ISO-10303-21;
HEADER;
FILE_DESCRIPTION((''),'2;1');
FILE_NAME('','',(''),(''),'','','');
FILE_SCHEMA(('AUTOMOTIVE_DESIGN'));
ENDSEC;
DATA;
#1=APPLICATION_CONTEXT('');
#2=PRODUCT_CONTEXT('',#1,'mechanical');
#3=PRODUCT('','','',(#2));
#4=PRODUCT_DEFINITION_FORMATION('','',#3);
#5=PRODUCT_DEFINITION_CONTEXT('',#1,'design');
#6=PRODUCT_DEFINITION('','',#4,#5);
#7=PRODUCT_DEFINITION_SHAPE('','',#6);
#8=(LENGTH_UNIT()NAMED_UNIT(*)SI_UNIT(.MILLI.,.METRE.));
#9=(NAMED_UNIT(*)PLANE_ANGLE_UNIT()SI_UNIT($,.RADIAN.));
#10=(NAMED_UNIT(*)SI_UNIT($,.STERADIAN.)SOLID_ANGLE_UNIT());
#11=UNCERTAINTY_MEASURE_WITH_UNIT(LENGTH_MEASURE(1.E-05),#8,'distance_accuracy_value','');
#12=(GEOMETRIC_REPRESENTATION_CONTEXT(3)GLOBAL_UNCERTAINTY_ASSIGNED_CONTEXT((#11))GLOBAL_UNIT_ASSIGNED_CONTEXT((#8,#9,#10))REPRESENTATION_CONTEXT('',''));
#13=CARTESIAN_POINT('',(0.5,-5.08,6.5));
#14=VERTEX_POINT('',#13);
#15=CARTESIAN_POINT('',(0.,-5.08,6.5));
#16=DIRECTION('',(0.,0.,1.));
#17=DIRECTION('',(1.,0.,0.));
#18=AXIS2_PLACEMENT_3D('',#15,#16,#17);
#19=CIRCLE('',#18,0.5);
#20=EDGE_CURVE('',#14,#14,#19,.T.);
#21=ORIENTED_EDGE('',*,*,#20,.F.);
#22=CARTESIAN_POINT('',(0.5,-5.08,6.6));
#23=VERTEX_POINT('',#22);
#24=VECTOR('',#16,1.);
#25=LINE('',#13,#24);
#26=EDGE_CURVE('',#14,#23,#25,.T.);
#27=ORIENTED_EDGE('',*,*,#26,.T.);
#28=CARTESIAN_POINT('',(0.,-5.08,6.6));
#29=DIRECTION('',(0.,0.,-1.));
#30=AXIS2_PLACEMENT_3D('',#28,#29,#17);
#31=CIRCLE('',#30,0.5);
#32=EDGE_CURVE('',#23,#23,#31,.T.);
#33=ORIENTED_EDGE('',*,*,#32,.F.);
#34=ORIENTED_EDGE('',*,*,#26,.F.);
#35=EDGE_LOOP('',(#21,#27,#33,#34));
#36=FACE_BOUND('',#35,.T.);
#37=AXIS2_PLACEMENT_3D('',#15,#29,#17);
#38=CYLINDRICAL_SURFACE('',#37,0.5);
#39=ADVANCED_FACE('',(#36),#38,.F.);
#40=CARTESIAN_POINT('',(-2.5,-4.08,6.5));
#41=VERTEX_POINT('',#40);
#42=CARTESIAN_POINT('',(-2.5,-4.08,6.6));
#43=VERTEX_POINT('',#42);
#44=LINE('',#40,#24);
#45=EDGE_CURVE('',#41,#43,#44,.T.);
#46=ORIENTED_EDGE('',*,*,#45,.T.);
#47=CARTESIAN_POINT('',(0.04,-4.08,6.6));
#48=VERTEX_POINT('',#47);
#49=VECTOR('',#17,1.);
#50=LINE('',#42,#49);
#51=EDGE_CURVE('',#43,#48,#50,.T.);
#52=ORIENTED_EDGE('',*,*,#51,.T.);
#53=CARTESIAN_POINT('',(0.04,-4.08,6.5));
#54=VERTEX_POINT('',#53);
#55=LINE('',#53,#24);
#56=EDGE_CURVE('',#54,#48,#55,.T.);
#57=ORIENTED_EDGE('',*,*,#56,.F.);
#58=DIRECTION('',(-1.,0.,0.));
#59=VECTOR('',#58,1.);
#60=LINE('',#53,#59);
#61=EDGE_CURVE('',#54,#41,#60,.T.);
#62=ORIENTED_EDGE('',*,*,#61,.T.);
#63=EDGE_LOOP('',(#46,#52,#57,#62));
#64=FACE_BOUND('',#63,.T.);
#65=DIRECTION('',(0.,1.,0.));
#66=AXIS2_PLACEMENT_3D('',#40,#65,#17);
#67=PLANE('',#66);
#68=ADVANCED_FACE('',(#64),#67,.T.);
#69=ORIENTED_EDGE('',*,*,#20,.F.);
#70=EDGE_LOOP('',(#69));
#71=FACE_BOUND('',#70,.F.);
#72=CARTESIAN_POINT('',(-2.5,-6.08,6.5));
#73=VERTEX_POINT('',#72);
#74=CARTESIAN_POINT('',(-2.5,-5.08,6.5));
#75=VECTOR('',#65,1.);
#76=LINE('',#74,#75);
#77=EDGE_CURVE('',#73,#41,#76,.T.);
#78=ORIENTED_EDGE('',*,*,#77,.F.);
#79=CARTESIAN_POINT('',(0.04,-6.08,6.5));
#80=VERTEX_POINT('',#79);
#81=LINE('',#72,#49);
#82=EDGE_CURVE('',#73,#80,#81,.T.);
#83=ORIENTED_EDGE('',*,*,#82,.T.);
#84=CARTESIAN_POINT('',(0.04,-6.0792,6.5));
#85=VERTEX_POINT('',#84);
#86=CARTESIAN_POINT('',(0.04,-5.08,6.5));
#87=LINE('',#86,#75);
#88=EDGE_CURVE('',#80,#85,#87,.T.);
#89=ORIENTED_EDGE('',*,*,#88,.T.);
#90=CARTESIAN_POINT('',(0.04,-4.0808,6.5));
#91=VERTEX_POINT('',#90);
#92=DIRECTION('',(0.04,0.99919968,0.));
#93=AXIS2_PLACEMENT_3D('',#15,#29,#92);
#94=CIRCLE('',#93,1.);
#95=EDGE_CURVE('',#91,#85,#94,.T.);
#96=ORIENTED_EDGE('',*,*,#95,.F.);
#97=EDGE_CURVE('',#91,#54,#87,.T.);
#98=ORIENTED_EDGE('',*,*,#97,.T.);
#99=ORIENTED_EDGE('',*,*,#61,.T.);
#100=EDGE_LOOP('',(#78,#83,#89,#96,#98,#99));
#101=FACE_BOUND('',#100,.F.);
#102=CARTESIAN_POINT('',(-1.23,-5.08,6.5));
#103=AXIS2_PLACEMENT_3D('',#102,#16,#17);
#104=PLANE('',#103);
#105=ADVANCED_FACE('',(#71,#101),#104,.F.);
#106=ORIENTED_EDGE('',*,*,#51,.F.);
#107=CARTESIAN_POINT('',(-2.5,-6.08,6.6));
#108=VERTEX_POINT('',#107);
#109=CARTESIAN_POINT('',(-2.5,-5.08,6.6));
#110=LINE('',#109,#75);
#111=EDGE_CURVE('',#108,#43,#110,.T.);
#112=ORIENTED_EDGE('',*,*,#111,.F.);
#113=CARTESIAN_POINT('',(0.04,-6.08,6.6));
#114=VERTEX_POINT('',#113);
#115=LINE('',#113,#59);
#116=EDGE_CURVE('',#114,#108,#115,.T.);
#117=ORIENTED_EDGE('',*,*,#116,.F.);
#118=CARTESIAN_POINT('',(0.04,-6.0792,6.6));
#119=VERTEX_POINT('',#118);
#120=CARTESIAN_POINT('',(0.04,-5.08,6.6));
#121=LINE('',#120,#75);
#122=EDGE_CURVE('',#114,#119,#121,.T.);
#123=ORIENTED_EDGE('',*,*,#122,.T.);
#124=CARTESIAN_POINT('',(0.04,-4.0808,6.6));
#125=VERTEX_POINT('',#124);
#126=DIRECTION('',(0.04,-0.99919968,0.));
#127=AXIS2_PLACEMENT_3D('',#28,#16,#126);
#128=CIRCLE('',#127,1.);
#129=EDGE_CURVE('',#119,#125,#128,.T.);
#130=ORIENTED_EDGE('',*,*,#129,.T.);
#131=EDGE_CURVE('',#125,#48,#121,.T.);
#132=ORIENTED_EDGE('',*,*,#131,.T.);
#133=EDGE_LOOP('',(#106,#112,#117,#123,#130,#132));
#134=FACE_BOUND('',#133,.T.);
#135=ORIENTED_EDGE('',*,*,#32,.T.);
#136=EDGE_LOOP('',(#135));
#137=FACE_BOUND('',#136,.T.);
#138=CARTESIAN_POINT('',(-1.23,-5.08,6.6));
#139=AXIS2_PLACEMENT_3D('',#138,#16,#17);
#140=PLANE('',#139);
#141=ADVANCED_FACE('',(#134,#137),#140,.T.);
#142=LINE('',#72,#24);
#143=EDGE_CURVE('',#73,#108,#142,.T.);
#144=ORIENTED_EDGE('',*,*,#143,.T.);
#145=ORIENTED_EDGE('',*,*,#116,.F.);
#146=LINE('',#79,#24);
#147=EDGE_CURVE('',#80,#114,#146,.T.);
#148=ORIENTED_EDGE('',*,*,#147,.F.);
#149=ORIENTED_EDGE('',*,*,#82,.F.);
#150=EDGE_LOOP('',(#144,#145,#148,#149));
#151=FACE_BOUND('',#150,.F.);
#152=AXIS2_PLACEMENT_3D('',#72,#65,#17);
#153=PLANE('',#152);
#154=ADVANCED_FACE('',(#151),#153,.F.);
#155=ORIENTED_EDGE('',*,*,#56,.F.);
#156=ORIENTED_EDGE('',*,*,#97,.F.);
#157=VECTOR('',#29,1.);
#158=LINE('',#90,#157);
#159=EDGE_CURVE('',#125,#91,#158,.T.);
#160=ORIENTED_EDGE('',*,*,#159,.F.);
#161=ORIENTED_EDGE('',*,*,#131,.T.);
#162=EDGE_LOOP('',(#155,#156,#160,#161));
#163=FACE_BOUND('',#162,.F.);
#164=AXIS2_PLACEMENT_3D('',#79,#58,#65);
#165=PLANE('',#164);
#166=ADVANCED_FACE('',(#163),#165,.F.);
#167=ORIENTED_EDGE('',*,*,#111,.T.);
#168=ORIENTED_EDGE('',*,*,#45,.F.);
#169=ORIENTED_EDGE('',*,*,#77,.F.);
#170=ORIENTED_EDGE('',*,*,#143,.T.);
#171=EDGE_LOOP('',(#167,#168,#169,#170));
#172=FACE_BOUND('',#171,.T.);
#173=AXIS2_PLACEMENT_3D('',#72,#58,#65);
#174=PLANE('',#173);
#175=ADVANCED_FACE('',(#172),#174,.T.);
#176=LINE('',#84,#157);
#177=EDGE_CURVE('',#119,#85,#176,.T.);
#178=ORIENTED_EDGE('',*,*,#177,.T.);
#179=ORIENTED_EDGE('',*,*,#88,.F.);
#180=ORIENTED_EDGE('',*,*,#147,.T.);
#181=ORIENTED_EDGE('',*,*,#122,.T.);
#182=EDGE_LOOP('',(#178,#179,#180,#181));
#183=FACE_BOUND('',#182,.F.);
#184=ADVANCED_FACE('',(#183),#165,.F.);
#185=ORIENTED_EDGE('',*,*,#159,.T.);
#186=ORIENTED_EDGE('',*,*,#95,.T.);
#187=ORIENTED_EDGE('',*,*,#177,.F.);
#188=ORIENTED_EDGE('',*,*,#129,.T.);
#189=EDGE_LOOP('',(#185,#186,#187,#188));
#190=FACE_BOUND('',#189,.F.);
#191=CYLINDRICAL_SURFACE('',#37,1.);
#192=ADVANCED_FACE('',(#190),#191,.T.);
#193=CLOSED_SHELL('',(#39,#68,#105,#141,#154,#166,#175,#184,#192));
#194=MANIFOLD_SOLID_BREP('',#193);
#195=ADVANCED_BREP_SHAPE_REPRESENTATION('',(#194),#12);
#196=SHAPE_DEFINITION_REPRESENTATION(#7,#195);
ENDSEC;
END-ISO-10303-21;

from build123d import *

# Parameters (mm, degrees)
CYLINDER008_R     = 0.5
CYLINDER008_DEPTH = 0.1
BOX005_W          = 2.54
BOX005_H          = 2
BOX005_DEPTH      = 0.1
CYLINDER007_R     = 0.5
CYLINDER007_DEPTH = 0.1
CYLINDER006_R     = 1
CYLINDER006_DEPTH = 0.1


with BuildPart() as cylinder008:
    # Cylinder008 → Cylinder008 (new body)
    with BuildSketch(Plane.XY.offset(1)):
        Circle(CYLINDER008_R)
    extrude(amount=CYLINDER008_DEPTH)


with BuildPart() as cut006:
    # Box005 → Box005 (new body)
    with BuildSketch(Plane(origin=(-2.5, -1, 1), x_dir=(1, 0, 0), z_dir=(0, 0, 1))):
        with Locations((1.27, 1)):
            Rectangle(BOX005_W, BOX005_H)
    extrude(amount=BOX005_DEPTH)

    # Cut006: cut Cylinder008
    add(cylinder008.part, mode=Mode.SUBTRACT)


with BuildPart() as cylinder007:
    # Cylinder007 → Cylinder007 (new body)
    with BuildSketch(Plane.XY.offset(1)):
        Circle(CYLINDER007_R)
    extrude(amount=CYLINDER007_DEPTH)


with BuildPart() as fusion002:
    # Cylinder006 → Cylinder006 (new body)
    with BuildSketch(Plane.XY.offset(1)):
        Circle(CYLINDER006_R)
    extrude(amount=CYLINDER006_DEPTH)

    # Cut005: cut Cylinder007
    add(cylinder007.part, mode=Mode.SUBTRACT)

    # Fusion002: union Cut006
    add(cut006.part)


with BuildPart() as fusion002_1:
    # Fusion002 placement: moved
    add(fusion002.part.moved(Location((0, -5.08, 5.5))))


solid = fusion002_1.part
